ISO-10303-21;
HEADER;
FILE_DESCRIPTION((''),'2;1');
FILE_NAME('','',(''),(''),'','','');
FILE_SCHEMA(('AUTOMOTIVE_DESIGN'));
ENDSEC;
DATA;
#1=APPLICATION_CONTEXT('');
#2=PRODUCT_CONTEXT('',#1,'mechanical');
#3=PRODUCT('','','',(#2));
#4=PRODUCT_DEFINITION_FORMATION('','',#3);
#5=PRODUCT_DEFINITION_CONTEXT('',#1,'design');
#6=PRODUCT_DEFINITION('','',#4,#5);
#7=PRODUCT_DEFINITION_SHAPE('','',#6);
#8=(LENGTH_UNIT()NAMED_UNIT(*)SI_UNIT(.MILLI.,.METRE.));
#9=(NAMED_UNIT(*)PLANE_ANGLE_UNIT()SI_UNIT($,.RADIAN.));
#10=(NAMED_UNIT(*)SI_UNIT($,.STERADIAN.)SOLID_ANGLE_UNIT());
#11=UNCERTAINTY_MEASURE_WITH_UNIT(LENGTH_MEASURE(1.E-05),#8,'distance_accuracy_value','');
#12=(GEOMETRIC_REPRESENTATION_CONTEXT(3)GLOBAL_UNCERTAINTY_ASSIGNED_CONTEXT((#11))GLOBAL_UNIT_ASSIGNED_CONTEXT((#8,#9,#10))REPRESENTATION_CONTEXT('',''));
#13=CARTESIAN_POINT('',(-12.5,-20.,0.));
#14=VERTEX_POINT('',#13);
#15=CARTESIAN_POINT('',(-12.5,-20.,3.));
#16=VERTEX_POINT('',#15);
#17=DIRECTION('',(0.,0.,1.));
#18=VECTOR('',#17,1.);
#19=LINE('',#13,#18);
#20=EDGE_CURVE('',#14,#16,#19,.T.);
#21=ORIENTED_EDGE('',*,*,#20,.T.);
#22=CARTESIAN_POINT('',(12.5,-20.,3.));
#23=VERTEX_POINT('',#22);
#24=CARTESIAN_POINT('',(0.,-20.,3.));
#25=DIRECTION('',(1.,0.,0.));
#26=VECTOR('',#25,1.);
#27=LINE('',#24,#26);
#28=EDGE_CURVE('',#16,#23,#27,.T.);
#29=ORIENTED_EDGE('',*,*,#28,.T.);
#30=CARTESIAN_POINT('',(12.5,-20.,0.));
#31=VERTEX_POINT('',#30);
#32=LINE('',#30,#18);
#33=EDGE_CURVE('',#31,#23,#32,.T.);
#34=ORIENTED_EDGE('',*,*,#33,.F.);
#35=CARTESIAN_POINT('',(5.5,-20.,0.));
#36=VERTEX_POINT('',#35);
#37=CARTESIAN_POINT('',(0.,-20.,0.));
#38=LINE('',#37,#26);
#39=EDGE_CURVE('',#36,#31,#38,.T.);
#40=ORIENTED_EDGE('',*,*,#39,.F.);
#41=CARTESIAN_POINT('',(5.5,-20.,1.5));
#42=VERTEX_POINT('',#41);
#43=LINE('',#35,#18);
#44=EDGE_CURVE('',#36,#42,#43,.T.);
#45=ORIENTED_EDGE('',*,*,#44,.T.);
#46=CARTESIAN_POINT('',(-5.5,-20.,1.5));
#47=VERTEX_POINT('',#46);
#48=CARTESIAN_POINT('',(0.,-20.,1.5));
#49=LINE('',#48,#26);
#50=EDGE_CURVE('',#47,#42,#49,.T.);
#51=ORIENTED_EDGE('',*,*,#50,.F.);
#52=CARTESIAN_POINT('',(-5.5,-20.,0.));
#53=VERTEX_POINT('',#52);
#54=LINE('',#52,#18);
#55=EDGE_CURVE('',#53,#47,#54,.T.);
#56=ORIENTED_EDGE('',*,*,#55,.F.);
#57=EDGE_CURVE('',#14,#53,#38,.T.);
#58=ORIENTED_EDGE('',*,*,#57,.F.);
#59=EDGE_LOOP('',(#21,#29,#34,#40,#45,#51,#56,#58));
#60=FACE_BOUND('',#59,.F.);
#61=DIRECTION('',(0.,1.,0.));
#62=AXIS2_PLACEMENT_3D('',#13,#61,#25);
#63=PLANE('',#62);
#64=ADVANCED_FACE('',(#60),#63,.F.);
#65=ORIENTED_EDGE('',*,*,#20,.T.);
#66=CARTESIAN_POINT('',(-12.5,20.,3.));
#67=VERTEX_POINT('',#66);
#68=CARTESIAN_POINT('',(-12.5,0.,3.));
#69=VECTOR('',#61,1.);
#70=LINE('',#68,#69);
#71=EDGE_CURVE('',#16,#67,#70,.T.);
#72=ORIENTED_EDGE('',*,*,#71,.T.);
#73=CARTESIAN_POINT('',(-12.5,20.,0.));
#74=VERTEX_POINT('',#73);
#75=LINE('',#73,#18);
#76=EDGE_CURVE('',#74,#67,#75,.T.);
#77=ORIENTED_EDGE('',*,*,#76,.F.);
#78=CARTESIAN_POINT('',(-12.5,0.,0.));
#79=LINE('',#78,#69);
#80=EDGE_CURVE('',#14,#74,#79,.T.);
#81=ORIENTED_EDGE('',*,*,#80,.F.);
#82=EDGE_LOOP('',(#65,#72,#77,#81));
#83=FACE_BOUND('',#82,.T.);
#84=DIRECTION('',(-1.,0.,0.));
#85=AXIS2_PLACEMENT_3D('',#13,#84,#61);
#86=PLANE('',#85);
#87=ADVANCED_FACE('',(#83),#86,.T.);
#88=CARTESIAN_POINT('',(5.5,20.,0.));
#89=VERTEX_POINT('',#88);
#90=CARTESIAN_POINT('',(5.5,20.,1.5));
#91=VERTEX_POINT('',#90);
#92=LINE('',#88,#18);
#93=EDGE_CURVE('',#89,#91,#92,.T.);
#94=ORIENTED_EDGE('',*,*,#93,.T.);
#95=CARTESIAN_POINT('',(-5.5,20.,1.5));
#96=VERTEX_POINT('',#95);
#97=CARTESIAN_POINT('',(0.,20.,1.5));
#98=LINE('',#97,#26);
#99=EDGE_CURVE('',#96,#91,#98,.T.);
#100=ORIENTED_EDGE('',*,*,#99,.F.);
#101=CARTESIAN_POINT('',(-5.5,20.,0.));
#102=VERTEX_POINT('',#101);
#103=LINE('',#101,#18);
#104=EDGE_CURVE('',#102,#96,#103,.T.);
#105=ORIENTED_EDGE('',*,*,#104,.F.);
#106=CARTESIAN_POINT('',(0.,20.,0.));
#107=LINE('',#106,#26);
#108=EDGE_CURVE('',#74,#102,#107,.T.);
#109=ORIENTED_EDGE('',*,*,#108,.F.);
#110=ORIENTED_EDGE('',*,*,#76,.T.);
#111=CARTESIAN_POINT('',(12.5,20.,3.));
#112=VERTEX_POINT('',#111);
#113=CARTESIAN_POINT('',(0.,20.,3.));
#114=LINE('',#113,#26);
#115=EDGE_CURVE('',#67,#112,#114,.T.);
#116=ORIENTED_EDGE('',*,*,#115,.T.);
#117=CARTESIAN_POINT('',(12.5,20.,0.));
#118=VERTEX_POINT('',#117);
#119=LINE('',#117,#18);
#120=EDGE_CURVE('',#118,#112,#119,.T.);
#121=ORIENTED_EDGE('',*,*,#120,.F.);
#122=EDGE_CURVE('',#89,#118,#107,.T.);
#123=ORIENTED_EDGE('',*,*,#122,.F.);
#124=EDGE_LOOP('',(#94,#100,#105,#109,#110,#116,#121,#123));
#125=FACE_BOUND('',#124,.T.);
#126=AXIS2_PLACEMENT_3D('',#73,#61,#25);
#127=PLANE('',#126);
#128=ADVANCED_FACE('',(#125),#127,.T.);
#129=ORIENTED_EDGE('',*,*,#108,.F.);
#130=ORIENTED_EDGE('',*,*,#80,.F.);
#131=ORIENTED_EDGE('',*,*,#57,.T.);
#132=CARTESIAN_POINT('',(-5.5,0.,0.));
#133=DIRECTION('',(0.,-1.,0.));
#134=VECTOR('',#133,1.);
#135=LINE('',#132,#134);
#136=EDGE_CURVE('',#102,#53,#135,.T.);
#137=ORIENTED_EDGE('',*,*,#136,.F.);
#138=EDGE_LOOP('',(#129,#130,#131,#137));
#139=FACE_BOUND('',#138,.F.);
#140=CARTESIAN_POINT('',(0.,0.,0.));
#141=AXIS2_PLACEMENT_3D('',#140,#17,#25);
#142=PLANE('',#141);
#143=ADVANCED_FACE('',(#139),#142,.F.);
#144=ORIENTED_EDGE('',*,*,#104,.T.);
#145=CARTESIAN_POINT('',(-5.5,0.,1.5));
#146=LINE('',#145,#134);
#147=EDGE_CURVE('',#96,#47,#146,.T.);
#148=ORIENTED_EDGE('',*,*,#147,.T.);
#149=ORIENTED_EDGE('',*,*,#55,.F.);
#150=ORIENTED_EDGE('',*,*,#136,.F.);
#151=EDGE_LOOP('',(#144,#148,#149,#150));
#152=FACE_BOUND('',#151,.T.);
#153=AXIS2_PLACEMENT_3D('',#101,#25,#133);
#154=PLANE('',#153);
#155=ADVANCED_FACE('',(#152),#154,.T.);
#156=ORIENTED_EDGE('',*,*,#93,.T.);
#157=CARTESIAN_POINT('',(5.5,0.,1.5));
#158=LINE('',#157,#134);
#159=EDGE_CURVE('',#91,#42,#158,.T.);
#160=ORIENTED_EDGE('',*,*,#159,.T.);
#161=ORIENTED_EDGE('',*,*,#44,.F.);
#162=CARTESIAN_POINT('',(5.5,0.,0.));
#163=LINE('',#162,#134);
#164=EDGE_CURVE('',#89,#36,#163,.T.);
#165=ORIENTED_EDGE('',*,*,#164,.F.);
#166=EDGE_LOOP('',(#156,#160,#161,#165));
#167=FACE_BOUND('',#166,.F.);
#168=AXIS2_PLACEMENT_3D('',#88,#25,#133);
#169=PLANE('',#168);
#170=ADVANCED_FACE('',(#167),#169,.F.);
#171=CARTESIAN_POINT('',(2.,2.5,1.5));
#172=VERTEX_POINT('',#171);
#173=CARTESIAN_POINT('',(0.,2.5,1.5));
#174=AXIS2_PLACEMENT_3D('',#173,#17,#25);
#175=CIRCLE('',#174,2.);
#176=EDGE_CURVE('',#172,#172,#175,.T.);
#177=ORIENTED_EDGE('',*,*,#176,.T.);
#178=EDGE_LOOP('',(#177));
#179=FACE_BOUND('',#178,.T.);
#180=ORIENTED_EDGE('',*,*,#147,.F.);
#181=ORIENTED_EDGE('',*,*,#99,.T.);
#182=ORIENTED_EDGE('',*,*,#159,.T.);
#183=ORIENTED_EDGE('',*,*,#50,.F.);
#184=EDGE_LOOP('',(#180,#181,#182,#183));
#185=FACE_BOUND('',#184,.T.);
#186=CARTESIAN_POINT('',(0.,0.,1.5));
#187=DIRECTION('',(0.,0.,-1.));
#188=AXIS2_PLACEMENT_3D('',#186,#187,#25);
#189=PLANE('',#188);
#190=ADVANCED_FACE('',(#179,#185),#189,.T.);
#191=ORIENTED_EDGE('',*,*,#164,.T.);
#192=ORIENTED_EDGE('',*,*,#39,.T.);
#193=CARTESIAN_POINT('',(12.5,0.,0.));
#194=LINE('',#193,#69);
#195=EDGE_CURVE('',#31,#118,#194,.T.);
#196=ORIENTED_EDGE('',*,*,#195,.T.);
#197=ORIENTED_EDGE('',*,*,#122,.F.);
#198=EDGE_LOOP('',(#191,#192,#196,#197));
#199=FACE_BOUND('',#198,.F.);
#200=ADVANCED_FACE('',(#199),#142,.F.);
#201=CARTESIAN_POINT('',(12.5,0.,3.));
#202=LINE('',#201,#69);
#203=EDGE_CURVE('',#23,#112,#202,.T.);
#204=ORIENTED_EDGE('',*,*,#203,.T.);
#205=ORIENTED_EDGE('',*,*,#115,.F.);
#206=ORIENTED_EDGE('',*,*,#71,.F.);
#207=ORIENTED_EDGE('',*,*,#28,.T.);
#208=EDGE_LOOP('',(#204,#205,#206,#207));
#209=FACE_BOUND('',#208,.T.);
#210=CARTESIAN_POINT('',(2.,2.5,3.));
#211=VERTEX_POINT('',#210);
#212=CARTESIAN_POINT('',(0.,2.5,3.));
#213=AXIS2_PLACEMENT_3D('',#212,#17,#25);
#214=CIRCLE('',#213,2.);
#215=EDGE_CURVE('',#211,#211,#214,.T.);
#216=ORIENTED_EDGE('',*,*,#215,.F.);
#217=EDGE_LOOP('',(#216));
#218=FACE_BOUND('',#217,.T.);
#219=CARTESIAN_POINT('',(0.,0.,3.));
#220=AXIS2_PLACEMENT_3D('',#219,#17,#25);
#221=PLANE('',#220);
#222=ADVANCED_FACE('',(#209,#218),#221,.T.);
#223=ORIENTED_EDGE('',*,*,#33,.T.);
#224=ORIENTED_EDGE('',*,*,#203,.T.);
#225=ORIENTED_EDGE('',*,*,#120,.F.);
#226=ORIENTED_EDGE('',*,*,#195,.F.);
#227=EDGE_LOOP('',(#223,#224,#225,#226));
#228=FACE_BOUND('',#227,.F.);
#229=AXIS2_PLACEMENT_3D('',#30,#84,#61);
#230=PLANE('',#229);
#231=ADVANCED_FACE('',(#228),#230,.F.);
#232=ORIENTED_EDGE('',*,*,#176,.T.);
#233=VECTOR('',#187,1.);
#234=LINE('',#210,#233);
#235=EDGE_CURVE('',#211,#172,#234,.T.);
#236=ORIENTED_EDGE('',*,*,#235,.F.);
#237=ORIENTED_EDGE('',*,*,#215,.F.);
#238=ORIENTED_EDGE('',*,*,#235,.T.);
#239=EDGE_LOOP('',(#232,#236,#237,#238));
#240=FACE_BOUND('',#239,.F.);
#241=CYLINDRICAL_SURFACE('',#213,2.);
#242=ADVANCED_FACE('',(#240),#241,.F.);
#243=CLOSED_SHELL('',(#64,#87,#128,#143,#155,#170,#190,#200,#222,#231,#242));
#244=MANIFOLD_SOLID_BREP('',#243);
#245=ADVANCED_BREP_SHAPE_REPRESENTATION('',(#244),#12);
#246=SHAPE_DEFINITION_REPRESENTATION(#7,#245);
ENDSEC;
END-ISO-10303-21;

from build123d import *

# Parameters (mm, degrees)
F0_W     = 25
F0_H     = 40
F1_DEPTH = 3
F2_W     = 11
F2_H     = 40
F3_DEPTH = 1.5
F4_R     = 2
F5_DEPTH = 3.001


with BuildPart() as f1:
    # F0 (on Top) → F1 (new body)
    with BuildSketch(Plane.XY):
        Rectangle(F0_W, F0_H)
    extrude(amount=F1_DEPTH)

    # F2 (on face) → F3 (cut)
    with BuildSketch(Plane(origin=(0, 0, 0), x_dir=(1, 0, 0), z_dir=(0, 0, -1))):
        Rectangle(F2_W, F2_H)
    extrude(amount=-F3_DEPTH, mode=Mode.SUBTRACT)

    # F4 (on face) → F5 (cut, through all)
    with BuildSketch(Plane.XY.offset(3)):
        with Locations((0, 2.5)):
            Circle(F4_R)
    extrude(amount=-F5_DEPTH, mode=Mode.SUBTRACT)


solid = f1.part
